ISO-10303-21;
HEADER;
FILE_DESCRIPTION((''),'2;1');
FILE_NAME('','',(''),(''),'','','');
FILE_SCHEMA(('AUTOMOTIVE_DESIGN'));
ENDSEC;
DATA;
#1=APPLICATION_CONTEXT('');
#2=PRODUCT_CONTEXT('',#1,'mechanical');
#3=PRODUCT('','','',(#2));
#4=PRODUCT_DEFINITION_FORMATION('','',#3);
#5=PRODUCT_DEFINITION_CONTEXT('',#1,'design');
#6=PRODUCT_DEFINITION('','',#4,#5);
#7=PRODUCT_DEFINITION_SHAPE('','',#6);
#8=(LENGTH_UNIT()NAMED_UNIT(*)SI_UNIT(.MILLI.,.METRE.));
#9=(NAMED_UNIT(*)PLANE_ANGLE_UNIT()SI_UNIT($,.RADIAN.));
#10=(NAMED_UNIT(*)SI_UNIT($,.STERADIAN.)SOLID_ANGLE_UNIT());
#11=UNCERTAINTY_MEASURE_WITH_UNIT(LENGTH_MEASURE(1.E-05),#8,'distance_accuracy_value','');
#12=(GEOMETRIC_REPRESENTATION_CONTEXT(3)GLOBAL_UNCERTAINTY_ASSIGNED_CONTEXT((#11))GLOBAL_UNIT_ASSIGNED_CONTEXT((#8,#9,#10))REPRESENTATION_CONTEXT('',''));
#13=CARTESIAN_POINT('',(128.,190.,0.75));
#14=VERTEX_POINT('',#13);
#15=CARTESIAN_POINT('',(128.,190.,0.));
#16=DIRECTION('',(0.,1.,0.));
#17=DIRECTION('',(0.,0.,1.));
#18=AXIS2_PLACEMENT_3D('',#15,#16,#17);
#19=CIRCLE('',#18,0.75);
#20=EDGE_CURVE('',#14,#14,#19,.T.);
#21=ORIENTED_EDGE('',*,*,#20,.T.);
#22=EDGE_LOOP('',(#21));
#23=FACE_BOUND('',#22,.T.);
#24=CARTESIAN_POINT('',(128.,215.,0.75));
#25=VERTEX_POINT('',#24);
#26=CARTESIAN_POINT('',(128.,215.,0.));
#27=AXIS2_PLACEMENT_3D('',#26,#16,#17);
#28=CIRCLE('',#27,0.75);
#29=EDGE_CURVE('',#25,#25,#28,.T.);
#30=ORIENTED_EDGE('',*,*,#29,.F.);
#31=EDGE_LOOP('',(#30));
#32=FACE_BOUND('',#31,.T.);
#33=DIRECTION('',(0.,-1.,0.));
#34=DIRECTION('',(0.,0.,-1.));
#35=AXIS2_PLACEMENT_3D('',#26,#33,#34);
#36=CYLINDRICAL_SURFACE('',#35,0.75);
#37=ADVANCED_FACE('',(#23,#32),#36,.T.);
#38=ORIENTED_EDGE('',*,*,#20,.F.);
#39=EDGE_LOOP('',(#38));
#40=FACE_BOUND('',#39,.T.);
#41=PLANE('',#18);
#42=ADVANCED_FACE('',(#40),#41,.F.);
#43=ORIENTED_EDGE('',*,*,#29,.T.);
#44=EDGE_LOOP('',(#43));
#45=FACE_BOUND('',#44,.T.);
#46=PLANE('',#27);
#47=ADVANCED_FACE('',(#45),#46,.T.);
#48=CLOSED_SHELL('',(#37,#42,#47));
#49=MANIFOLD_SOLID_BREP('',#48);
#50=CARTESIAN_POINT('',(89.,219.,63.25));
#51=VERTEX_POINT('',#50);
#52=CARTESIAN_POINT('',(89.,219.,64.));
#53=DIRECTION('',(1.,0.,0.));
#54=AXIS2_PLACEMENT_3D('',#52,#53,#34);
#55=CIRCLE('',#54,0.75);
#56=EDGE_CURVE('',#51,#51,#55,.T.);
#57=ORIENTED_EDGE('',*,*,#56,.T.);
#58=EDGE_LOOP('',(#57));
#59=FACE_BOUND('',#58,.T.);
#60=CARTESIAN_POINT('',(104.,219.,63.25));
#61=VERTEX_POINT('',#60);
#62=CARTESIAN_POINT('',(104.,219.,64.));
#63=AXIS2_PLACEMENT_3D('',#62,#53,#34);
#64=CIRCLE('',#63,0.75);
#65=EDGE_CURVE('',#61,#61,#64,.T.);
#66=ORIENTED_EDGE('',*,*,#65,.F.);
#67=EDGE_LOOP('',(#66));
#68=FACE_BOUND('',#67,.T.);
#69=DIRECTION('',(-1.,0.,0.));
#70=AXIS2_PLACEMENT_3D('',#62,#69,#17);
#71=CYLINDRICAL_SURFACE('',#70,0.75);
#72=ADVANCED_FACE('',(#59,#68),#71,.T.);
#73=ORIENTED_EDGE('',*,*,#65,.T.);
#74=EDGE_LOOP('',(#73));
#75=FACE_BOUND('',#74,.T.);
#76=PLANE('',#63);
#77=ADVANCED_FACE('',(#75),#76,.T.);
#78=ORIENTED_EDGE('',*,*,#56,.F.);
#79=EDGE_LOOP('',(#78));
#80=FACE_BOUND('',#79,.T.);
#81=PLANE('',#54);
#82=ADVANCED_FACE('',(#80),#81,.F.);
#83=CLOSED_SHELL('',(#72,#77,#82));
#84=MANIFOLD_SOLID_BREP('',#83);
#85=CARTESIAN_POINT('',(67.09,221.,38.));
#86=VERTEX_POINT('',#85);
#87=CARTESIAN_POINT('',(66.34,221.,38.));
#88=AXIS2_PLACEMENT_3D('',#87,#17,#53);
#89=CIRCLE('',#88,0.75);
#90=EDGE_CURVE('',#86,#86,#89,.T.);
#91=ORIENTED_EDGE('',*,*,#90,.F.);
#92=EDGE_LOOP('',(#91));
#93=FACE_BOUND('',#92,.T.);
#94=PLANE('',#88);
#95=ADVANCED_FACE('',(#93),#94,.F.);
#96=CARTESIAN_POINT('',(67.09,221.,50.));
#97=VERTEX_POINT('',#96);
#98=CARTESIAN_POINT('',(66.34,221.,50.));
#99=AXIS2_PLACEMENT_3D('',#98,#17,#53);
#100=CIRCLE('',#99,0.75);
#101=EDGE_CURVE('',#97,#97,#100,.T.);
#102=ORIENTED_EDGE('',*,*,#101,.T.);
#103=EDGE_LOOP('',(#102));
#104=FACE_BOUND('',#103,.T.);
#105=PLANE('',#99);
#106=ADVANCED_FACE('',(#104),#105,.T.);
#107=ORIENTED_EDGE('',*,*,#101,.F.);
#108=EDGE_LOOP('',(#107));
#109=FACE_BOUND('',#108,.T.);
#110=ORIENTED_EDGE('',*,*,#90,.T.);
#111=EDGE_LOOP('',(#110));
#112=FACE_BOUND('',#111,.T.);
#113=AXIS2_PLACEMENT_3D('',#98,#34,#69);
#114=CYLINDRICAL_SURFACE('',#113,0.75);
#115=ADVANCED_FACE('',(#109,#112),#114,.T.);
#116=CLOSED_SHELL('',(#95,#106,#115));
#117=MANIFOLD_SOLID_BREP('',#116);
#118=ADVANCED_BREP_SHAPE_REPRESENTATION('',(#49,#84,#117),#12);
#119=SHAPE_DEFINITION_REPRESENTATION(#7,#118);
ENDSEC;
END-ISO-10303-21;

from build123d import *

# Parameters (mm, degrees)
TC1_SPRING_START    = 38
SKETCH1_R           = 0.75
TC1_SPRING_DEPTH    = 12
TC2_AIR_START       = 190
SKETCH2_R           = 0.75
TC2_AIR_DEPTH       = 25
TC3_REFLECTOR_START = 89
SKETCH3_R           = 0.75
TC3_REFLECTOR_DEPTH = 15


with BuildPart() as part:
    # Sketch1 → tc1_spring (new body)
    with BuildSketch(Plane.XY.offset(TC1_SPRING_START)):
        with Locations((66.34, 221)):
            Circle(SKETCH1_R)
    extrude(amount=TC1_SPRING_DEPTH)


with BuildPart() as body_2:
    # Sketch2 → tc2_air (new body)
    with BuildSketch(Plane(origin=(0, 0, 0), x_dir=(1, 0, 0), z_dir=(0, 1, 0)).offset(TC2_AIR_START)):
        with Locations(Location((128, 0, 0), (0, 0, 270))):
            Circle(SKETCH2_R)
    extrude(amount=TC2_AIR_DEPTH)


with BuildPart() as body_3:
    # Sketch3 → tc3_reflector (new body)
    with BuildSketch(Plane(origin=(0, 0, 0), x_dir=(0, 0, -1), z_dir=(1, 0, 0)).offset(TC3_REFLECTOR_START)):
        with Locations((-64, 219)):
            Circle(SKETCH3_R)
    extrude(amount=TC3_REFLECTOR_DEPTH)


solid = Compound([part.part, body_2.part, body_3.part])
